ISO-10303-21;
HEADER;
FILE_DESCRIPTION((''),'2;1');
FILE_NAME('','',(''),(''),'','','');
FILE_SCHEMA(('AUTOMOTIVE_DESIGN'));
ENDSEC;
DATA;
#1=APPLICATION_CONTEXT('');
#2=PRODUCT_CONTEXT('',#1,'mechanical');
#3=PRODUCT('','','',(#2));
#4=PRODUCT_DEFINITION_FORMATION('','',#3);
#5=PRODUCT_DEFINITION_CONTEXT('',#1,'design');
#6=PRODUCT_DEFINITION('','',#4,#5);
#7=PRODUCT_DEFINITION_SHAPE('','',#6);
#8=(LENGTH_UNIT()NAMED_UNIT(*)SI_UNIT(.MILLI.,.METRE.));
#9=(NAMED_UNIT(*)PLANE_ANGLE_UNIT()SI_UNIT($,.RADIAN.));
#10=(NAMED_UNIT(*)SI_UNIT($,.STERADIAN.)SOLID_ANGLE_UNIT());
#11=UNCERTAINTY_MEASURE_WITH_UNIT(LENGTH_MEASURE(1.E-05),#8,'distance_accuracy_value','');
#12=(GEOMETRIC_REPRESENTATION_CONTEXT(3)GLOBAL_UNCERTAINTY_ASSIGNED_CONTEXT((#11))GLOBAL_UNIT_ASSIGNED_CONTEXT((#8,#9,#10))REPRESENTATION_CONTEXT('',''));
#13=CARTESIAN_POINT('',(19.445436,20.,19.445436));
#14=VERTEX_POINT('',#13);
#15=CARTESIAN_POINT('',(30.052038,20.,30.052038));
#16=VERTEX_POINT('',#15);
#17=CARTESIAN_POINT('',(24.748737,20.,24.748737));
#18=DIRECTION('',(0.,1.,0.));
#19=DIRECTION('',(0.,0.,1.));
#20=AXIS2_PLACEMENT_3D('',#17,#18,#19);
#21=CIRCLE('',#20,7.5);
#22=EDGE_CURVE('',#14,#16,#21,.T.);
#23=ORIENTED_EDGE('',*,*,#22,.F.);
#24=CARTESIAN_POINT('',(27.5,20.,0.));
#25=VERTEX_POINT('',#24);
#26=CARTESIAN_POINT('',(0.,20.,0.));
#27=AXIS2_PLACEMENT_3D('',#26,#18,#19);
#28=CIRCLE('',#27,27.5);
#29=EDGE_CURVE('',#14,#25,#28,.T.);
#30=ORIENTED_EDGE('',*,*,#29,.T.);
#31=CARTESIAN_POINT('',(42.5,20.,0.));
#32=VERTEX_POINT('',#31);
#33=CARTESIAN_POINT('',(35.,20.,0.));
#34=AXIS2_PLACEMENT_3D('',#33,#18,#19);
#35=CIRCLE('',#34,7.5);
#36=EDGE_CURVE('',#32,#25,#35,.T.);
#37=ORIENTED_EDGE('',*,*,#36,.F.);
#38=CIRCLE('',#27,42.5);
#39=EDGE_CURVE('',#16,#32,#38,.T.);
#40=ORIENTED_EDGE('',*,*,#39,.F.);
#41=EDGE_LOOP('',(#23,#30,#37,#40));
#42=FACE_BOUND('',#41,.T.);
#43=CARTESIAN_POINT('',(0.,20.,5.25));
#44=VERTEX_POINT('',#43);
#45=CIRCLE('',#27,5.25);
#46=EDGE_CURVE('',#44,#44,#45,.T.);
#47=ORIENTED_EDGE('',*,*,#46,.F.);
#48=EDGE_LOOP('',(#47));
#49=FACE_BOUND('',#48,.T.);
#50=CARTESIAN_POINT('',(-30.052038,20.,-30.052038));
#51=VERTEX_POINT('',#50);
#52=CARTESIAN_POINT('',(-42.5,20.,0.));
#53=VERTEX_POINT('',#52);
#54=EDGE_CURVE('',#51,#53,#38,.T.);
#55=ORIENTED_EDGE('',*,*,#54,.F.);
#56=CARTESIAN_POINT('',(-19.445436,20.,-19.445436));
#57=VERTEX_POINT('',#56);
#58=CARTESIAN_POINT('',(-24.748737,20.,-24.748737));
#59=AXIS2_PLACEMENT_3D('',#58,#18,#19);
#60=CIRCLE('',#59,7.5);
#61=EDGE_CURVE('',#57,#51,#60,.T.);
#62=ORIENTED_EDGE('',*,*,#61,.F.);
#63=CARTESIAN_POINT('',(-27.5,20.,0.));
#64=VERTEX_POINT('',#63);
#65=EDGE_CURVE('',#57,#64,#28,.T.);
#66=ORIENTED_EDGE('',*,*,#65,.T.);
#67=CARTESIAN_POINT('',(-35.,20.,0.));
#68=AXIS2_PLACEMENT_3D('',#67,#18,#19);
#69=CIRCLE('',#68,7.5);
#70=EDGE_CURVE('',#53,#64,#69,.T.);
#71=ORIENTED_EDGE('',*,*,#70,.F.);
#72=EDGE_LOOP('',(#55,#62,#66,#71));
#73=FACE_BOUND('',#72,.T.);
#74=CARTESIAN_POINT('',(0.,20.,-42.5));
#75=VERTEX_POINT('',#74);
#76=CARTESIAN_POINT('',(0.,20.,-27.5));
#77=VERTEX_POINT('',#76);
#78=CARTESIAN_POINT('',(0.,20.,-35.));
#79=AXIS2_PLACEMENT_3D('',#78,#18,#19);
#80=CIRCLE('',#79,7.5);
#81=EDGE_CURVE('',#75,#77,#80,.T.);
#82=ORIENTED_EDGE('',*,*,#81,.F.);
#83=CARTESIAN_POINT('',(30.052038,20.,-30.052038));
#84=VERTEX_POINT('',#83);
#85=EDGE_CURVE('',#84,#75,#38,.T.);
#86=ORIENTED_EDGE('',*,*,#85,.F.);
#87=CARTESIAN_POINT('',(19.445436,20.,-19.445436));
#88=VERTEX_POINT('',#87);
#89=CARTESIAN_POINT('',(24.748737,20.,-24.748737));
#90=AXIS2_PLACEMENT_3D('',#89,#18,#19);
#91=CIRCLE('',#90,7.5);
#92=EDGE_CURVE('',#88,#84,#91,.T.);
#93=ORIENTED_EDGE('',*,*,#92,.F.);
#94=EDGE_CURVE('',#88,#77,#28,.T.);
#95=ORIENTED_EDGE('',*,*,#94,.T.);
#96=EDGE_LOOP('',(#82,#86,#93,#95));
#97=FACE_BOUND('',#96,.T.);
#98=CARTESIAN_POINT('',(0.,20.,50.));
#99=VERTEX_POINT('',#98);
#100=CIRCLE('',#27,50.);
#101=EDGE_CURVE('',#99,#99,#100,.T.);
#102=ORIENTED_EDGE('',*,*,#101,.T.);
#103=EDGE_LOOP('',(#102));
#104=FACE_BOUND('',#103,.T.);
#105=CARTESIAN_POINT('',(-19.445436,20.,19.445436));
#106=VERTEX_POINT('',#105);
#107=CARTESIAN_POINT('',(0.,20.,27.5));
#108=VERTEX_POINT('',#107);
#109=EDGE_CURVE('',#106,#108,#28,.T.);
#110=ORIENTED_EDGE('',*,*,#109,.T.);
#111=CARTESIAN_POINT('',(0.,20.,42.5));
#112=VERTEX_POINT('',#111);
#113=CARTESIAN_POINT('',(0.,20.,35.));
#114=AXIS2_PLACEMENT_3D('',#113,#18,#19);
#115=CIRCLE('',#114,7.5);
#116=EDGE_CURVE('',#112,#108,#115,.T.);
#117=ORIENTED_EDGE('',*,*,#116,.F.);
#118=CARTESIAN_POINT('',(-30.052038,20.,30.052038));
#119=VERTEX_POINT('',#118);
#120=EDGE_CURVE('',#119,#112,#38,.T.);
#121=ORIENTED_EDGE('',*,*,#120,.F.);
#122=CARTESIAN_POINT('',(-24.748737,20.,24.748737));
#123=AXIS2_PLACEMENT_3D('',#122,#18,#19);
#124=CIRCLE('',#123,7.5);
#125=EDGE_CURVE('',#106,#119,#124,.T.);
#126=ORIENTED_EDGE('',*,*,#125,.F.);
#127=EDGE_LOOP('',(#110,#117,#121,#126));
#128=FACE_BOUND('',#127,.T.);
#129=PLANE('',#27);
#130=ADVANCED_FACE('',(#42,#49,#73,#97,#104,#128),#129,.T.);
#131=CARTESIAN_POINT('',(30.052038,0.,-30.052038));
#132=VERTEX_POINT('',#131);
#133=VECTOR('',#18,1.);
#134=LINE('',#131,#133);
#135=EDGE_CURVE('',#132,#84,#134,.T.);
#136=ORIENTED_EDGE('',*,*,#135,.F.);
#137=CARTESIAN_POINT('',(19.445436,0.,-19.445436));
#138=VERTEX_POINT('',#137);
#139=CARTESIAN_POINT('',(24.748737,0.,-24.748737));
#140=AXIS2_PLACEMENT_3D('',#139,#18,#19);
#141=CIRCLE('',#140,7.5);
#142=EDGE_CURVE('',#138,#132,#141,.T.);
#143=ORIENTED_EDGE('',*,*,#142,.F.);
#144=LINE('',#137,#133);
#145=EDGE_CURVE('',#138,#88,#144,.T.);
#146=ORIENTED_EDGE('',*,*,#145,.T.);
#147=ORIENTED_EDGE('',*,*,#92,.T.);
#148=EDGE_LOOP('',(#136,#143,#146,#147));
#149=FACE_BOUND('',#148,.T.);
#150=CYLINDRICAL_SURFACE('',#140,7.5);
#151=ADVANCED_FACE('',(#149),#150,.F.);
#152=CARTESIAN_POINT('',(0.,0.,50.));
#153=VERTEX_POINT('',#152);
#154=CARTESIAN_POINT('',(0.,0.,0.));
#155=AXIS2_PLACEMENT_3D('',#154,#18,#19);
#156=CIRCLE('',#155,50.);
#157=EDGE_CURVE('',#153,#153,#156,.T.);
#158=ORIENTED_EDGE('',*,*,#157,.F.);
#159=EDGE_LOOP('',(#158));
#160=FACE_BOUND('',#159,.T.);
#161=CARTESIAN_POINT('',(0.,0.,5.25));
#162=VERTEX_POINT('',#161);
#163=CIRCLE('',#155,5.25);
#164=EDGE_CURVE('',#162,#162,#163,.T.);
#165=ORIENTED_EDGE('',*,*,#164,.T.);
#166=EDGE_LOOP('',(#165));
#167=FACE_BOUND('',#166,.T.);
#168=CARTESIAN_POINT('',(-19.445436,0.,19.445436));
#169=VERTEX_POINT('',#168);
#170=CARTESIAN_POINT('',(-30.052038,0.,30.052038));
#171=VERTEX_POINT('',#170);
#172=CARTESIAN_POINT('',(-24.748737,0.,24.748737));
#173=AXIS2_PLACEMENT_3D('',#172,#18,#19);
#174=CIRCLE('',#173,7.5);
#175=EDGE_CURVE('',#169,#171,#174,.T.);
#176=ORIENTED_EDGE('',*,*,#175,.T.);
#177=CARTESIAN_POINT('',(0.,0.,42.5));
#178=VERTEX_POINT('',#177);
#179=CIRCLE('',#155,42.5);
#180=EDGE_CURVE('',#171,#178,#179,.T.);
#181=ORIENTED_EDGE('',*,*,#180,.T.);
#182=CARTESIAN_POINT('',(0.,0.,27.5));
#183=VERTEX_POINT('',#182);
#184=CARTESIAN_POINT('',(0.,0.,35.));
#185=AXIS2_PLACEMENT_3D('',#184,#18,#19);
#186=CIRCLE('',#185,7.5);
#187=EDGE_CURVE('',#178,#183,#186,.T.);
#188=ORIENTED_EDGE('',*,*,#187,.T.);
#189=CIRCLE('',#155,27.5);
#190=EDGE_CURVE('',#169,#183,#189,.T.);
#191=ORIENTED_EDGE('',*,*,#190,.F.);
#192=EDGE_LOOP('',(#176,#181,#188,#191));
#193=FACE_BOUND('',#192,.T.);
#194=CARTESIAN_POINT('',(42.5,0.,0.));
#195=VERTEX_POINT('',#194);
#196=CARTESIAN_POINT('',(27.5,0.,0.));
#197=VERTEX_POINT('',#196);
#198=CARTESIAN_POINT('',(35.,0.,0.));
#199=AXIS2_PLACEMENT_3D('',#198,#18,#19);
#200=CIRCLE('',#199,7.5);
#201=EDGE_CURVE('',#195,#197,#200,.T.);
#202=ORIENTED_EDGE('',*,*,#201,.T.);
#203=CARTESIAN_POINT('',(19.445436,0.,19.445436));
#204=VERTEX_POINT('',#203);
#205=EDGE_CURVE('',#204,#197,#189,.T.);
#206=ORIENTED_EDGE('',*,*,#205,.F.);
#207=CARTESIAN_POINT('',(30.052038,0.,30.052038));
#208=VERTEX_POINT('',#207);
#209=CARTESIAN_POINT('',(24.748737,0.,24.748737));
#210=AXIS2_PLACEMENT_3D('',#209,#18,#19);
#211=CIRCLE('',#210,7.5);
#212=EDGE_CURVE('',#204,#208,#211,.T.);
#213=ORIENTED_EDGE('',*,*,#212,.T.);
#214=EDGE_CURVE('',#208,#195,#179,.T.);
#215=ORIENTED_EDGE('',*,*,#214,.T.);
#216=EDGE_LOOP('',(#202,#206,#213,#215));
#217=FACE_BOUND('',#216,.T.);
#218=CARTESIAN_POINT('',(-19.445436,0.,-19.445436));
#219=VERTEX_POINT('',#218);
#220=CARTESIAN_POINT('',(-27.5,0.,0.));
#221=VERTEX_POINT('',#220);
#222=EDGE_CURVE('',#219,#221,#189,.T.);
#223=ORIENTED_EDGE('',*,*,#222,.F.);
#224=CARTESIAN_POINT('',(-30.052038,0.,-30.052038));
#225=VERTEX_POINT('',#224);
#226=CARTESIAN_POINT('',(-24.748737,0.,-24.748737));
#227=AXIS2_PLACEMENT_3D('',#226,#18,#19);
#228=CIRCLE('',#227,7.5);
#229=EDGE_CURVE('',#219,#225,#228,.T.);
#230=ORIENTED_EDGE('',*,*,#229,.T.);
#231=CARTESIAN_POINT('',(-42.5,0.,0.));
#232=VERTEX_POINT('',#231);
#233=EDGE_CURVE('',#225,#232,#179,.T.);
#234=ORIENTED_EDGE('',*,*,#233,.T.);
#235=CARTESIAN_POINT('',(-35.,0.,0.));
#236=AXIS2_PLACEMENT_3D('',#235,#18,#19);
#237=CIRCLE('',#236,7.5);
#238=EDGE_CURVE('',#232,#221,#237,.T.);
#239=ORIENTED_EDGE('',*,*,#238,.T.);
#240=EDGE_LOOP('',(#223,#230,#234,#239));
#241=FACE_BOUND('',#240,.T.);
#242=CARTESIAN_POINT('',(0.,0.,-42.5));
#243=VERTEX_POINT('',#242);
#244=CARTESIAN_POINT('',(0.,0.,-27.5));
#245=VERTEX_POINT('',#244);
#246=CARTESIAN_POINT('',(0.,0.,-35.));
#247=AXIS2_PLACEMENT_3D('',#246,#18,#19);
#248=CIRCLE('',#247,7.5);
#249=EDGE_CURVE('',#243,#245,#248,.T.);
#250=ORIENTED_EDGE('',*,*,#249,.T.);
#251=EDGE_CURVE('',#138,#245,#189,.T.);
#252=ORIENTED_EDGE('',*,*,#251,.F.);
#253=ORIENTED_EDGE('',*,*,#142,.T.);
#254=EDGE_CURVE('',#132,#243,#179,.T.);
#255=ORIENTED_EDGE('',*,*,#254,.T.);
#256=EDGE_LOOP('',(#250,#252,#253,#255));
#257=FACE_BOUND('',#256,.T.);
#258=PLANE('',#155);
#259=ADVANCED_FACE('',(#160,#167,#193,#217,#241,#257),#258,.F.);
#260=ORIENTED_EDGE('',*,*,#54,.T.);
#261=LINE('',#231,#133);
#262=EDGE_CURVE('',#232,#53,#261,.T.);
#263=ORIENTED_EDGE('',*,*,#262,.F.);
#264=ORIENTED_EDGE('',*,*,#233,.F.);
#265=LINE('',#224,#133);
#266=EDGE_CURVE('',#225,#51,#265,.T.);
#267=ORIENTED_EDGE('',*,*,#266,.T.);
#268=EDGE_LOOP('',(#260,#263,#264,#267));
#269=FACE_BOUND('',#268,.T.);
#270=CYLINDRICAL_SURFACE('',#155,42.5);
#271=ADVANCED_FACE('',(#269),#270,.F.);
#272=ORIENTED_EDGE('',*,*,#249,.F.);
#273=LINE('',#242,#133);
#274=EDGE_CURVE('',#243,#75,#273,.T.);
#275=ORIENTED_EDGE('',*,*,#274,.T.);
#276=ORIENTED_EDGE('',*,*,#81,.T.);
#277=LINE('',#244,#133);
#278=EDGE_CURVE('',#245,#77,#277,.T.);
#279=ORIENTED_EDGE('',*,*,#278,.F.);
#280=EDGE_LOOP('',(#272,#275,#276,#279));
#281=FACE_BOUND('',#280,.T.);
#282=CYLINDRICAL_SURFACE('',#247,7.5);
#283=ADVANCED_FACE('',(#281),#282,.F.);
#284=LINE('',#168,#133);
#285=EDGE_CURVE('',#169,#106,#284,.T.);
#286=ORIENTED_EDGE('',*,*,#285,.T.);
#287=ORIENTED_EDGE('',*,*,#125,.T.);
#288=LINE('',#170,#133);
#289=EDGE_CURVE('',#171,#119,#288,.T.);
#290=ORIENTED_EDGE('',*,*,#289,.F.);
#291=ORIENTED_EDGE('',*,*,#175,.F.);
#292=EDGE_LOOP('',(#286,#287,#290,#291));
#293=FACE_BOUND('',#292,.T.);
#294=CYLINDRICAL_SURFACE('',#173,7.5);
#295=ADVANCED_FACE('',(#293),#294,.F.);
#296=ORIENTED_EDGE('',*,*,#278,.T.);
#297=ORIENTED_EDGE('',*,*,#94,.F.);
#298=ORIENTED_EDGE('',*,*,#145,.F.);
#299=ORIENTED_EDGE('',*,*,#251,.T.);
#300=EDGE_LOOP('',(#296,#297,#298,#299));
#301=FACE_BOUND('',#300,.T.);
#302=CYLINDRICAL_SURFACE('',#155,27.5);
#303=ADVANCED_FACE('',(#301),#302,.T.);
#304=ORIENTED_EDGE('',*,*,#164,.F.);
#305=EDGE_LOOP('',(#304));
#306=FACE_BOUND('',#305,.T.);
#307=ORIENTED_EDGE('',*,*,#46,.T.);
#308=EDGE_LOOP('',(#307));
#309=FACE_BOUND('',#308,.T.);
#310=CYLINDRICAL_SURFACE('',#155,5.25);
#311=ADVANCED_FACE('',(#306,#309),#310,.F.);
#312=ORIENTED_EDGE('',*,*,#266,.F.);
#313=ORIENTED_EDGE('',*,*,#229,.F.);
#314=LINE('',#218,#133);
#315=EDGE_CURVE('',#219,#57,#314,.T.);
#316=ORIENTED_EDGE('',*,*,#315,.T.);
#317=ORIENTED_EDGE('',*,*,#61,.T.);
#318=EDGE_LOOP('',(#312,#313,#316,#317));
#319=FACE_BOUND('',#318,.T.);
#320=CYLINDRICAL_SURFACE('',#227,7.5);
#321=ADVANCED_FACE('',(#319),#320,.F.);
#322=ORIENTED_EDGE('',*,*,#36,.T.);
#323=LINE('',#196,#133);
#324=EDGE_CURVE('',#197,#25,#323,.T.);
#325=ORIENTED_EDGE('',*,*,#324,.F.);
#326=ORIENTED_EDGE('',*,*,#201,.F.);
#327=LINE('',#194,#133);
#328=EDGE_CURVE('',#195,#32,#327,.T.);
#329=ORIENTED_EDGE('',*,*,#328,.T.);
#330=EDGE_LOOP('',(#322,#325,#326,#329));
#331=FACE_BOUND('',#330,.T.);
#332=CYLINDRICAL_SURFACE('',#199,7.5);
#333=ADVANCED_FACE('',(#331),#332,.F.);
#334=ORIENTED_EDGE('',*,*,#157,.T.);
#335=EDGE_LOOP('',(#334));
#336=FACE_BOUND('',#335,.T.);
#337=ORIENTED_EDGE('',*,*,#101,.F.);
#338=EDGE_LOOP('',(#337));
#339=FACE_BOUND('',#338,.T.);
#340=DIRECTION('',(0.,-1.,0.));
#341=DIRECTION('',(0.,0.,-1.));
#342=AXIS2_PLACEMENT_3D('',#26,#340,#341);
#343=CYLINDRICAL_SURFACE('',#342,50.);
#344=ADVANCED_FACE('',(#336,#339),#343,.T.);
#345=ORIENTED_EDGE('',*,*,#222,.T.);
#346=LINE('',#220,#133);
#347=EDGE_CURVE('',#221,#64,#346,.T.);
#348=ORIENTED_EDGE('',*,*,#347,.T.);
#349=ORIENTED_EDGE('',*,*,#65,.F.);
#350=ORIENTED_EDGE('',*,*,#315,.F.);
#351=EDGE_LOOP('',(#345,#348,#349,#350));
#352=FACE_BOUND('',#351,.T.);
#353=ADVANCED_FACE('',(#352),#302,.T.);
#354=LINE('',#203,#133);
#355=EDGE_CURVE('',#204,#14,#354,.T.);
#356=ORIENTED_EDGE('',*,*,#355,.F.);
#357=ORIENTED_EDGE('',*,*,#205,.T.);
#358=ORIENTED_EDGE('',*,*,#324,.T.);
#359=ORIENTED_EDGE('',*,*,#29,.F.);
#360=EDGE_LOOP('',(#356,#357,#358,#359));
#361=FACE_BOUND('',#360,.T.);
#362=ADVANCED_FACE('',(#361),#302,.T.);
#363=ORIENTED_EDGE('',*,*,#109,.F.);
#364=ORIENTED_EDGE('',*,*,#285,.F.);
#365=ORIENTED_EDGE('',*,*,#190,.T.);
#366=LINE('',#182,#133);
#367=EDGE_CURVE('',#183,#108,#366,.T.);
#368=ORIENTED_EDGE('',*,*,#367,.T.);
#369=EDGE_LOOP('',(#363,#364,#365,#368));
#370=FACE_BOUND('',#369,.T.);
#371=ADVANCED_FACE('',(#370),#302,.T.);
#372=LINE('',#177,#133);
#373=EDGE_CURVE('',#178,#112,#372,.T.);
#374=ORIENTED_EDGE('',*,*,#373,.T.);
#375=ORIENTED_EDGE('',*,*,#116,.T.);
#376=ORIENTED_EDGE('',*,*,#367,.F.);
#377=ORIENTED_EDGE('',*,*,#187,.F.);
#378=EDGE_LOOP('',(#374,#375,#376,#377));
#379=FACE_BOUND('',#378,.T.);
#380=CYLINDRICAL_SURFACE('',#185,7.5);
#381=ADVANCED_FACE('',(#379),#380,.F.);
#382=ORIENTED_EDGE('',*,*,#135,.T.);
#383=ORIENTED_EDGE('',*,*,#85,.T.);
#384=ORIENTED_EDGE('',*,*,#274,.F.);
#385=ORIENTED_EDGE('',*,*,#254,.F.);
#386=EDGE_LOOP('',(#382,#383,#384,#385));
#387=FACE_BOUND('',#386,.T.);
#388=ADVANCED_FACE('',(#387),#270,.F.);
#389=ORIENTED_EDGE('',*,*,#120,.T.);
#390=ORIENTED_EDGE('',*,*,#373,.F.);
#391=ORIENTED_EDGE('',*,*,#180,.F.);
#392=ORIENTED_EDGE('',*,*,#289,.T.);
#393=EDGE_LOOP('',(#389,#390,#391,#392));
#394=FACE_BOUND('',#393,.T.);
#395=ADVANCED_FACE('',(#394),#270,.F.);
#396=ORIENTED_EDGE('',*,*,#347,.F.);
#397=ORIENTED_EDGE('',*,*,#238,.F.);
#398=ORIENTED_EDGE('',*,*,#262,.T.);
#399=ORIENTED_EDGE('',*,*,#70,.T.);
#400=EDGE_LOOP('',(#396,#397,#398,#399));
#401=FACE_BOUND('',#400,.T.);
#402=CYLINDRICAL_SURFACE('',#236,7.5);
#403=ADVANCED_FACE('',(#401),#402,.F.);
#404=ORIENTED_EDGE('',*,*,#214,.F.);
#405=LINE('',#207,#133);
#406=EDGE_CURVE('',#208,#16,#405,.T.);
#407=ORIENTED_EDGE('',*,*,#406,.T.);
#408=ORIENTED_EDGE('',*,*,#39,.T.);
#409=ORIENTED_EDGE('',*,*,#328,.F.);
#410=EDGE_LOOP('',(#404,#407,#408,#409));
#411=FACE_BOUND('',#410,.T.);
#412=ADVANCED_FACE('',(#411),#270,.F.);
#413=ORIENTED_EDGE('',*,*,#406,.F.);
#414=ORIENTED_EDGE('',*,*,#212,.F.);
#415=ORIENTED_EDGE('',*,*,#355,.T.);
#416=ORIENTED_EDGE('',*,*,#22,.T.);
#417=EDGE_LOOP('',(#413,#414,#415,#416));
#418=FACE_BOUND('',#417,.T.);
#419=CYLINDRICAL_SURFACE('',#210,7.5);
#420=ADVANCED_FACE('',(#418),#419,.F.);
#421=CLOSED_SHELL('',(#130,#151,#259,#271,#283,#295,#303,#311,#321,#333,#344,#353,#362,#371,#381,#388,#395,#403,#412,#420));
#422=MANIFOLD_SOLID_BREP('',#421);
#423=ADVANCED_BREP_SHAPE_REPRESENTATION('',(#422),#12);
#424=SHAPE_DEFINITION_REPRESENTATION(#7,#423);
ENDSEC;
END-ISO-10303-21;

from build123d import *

# Parameters (mm, degrees)
SKETCH_1_R          = 50
EXTRUDE_1_DEPTH     = 20
SKETCH_2_R          = 5.25
CUT_EXTRUDE_1_DEPTH = 20
CUT_EXTRUDE_2_DEPTH = 20


with BuildPart() as part:
    # 草图1 → 凸台-拉伸1 (new body)
    with BuildSketch(Plane(origin=(0, 0, 0), x_dir=(1, 0, 0), z_dir=(0, 1, 0))):
        with Locations(Location((0, 0, 0), (0, 0, 270))):
            Circle(SKETCH_1_R)
    extrude(amount=EXTRUDE_1_DEPTH)

    # 草图2 → 切除-拉伸1 (cut)
    with BuildSketch(Plane(origin=(0, 20, 0), x_dir=(1, 0, 0), z_dir=(0, 1, 0))):
        with Locations(Location((0, 0, 0), (0, 0, 270))):
            Circle(SKETCH_2_R)
    extrude(amount=-CUT_EXTRUDE_1_DEPTH, mode=Mode.SUBTRACT)

    # 草图3 → 切除-拉伸2 (cut)
    with BuildSketch(Plane(origin=(0, 20, 0), x_dir=(1, 0, 0), z_dir=(0, 1, 0))):
        with BuildLine():
            ThreePointArc((42.5, 0), (35, 7.5), (27.5, 0))
            ThreePointArc((27.5, 0), (25.406687144, -10.52379439), (19.445436483, -19.445436483))
            ThreePointArc((19.445436483, -19.445436483), (19.445436477, -30.052038195), (30.052038189, -30.052038212))
            ThreePointArc((30.052038189, -30.052038212), (39.264880129, -16.264045883), (42.5, 0))
        make_face()
        with BuildLine():
            ThreePointArc((2e-09, 27.5), (10.523794391, 25.406687144), (19.445436483, 19.445436483))
            ThreePointArc((19.445436483, 19.445436483), (30.0520382, 19.445436483), (30.0520382, 30.0520382))
            ThreePointArc((30.0520382, 30.0520382), (16.264045902, 39.264880121), (5.8e-08, 42.5))
            ThreePointArc((5.8e-08, 42.5), (-7.5, 35.000000028), (2e-09, 27.5))
        make_face()
        with BuildLine():
            ThreePointArc((-30.0520382, -30.0520382), (-16.264045799, -39.264880163), (1.65e-07, -42.5))
            ThreePointArc((1.65e-07, -42.5), (7.5, -34.999999948), (6.1e-08, -27.5))
            ThreePointArc((6.1e-08, -27.5), (-10.523794348, -25.406687162), (-19.44543646, -19.445436505))
            ThreePointArc((-19.44543646, -19.445436505), (-30.052038189, -19.445436472), (-30.0520382, -30.0520382))
        make_face()
        with BuildLine():
            ThreePointArc((-27.5, 0), (-25.406687154, 10.523794365), (-19.445436521, 19.445436445))
            ThreePointArc((-19.445436521, 19.445436445), (-19.445436492, 30.05203821), (-30.052038258, 30.052038143))
            ThreePointArc((-30.052038258, 30.052038143), (-39.264880164, 16.264045797), (-42.5, -8.9e-08))
            ThreePointArc((-42.5, -8.9e-08), (-34.999999956, -7.5), (-27.5, 0))
        make_face()
    extrude(amount=-CUT_EXTRUDE_2_DEPTH, mode=Mode.SUBTRACT)


solid = part.part
